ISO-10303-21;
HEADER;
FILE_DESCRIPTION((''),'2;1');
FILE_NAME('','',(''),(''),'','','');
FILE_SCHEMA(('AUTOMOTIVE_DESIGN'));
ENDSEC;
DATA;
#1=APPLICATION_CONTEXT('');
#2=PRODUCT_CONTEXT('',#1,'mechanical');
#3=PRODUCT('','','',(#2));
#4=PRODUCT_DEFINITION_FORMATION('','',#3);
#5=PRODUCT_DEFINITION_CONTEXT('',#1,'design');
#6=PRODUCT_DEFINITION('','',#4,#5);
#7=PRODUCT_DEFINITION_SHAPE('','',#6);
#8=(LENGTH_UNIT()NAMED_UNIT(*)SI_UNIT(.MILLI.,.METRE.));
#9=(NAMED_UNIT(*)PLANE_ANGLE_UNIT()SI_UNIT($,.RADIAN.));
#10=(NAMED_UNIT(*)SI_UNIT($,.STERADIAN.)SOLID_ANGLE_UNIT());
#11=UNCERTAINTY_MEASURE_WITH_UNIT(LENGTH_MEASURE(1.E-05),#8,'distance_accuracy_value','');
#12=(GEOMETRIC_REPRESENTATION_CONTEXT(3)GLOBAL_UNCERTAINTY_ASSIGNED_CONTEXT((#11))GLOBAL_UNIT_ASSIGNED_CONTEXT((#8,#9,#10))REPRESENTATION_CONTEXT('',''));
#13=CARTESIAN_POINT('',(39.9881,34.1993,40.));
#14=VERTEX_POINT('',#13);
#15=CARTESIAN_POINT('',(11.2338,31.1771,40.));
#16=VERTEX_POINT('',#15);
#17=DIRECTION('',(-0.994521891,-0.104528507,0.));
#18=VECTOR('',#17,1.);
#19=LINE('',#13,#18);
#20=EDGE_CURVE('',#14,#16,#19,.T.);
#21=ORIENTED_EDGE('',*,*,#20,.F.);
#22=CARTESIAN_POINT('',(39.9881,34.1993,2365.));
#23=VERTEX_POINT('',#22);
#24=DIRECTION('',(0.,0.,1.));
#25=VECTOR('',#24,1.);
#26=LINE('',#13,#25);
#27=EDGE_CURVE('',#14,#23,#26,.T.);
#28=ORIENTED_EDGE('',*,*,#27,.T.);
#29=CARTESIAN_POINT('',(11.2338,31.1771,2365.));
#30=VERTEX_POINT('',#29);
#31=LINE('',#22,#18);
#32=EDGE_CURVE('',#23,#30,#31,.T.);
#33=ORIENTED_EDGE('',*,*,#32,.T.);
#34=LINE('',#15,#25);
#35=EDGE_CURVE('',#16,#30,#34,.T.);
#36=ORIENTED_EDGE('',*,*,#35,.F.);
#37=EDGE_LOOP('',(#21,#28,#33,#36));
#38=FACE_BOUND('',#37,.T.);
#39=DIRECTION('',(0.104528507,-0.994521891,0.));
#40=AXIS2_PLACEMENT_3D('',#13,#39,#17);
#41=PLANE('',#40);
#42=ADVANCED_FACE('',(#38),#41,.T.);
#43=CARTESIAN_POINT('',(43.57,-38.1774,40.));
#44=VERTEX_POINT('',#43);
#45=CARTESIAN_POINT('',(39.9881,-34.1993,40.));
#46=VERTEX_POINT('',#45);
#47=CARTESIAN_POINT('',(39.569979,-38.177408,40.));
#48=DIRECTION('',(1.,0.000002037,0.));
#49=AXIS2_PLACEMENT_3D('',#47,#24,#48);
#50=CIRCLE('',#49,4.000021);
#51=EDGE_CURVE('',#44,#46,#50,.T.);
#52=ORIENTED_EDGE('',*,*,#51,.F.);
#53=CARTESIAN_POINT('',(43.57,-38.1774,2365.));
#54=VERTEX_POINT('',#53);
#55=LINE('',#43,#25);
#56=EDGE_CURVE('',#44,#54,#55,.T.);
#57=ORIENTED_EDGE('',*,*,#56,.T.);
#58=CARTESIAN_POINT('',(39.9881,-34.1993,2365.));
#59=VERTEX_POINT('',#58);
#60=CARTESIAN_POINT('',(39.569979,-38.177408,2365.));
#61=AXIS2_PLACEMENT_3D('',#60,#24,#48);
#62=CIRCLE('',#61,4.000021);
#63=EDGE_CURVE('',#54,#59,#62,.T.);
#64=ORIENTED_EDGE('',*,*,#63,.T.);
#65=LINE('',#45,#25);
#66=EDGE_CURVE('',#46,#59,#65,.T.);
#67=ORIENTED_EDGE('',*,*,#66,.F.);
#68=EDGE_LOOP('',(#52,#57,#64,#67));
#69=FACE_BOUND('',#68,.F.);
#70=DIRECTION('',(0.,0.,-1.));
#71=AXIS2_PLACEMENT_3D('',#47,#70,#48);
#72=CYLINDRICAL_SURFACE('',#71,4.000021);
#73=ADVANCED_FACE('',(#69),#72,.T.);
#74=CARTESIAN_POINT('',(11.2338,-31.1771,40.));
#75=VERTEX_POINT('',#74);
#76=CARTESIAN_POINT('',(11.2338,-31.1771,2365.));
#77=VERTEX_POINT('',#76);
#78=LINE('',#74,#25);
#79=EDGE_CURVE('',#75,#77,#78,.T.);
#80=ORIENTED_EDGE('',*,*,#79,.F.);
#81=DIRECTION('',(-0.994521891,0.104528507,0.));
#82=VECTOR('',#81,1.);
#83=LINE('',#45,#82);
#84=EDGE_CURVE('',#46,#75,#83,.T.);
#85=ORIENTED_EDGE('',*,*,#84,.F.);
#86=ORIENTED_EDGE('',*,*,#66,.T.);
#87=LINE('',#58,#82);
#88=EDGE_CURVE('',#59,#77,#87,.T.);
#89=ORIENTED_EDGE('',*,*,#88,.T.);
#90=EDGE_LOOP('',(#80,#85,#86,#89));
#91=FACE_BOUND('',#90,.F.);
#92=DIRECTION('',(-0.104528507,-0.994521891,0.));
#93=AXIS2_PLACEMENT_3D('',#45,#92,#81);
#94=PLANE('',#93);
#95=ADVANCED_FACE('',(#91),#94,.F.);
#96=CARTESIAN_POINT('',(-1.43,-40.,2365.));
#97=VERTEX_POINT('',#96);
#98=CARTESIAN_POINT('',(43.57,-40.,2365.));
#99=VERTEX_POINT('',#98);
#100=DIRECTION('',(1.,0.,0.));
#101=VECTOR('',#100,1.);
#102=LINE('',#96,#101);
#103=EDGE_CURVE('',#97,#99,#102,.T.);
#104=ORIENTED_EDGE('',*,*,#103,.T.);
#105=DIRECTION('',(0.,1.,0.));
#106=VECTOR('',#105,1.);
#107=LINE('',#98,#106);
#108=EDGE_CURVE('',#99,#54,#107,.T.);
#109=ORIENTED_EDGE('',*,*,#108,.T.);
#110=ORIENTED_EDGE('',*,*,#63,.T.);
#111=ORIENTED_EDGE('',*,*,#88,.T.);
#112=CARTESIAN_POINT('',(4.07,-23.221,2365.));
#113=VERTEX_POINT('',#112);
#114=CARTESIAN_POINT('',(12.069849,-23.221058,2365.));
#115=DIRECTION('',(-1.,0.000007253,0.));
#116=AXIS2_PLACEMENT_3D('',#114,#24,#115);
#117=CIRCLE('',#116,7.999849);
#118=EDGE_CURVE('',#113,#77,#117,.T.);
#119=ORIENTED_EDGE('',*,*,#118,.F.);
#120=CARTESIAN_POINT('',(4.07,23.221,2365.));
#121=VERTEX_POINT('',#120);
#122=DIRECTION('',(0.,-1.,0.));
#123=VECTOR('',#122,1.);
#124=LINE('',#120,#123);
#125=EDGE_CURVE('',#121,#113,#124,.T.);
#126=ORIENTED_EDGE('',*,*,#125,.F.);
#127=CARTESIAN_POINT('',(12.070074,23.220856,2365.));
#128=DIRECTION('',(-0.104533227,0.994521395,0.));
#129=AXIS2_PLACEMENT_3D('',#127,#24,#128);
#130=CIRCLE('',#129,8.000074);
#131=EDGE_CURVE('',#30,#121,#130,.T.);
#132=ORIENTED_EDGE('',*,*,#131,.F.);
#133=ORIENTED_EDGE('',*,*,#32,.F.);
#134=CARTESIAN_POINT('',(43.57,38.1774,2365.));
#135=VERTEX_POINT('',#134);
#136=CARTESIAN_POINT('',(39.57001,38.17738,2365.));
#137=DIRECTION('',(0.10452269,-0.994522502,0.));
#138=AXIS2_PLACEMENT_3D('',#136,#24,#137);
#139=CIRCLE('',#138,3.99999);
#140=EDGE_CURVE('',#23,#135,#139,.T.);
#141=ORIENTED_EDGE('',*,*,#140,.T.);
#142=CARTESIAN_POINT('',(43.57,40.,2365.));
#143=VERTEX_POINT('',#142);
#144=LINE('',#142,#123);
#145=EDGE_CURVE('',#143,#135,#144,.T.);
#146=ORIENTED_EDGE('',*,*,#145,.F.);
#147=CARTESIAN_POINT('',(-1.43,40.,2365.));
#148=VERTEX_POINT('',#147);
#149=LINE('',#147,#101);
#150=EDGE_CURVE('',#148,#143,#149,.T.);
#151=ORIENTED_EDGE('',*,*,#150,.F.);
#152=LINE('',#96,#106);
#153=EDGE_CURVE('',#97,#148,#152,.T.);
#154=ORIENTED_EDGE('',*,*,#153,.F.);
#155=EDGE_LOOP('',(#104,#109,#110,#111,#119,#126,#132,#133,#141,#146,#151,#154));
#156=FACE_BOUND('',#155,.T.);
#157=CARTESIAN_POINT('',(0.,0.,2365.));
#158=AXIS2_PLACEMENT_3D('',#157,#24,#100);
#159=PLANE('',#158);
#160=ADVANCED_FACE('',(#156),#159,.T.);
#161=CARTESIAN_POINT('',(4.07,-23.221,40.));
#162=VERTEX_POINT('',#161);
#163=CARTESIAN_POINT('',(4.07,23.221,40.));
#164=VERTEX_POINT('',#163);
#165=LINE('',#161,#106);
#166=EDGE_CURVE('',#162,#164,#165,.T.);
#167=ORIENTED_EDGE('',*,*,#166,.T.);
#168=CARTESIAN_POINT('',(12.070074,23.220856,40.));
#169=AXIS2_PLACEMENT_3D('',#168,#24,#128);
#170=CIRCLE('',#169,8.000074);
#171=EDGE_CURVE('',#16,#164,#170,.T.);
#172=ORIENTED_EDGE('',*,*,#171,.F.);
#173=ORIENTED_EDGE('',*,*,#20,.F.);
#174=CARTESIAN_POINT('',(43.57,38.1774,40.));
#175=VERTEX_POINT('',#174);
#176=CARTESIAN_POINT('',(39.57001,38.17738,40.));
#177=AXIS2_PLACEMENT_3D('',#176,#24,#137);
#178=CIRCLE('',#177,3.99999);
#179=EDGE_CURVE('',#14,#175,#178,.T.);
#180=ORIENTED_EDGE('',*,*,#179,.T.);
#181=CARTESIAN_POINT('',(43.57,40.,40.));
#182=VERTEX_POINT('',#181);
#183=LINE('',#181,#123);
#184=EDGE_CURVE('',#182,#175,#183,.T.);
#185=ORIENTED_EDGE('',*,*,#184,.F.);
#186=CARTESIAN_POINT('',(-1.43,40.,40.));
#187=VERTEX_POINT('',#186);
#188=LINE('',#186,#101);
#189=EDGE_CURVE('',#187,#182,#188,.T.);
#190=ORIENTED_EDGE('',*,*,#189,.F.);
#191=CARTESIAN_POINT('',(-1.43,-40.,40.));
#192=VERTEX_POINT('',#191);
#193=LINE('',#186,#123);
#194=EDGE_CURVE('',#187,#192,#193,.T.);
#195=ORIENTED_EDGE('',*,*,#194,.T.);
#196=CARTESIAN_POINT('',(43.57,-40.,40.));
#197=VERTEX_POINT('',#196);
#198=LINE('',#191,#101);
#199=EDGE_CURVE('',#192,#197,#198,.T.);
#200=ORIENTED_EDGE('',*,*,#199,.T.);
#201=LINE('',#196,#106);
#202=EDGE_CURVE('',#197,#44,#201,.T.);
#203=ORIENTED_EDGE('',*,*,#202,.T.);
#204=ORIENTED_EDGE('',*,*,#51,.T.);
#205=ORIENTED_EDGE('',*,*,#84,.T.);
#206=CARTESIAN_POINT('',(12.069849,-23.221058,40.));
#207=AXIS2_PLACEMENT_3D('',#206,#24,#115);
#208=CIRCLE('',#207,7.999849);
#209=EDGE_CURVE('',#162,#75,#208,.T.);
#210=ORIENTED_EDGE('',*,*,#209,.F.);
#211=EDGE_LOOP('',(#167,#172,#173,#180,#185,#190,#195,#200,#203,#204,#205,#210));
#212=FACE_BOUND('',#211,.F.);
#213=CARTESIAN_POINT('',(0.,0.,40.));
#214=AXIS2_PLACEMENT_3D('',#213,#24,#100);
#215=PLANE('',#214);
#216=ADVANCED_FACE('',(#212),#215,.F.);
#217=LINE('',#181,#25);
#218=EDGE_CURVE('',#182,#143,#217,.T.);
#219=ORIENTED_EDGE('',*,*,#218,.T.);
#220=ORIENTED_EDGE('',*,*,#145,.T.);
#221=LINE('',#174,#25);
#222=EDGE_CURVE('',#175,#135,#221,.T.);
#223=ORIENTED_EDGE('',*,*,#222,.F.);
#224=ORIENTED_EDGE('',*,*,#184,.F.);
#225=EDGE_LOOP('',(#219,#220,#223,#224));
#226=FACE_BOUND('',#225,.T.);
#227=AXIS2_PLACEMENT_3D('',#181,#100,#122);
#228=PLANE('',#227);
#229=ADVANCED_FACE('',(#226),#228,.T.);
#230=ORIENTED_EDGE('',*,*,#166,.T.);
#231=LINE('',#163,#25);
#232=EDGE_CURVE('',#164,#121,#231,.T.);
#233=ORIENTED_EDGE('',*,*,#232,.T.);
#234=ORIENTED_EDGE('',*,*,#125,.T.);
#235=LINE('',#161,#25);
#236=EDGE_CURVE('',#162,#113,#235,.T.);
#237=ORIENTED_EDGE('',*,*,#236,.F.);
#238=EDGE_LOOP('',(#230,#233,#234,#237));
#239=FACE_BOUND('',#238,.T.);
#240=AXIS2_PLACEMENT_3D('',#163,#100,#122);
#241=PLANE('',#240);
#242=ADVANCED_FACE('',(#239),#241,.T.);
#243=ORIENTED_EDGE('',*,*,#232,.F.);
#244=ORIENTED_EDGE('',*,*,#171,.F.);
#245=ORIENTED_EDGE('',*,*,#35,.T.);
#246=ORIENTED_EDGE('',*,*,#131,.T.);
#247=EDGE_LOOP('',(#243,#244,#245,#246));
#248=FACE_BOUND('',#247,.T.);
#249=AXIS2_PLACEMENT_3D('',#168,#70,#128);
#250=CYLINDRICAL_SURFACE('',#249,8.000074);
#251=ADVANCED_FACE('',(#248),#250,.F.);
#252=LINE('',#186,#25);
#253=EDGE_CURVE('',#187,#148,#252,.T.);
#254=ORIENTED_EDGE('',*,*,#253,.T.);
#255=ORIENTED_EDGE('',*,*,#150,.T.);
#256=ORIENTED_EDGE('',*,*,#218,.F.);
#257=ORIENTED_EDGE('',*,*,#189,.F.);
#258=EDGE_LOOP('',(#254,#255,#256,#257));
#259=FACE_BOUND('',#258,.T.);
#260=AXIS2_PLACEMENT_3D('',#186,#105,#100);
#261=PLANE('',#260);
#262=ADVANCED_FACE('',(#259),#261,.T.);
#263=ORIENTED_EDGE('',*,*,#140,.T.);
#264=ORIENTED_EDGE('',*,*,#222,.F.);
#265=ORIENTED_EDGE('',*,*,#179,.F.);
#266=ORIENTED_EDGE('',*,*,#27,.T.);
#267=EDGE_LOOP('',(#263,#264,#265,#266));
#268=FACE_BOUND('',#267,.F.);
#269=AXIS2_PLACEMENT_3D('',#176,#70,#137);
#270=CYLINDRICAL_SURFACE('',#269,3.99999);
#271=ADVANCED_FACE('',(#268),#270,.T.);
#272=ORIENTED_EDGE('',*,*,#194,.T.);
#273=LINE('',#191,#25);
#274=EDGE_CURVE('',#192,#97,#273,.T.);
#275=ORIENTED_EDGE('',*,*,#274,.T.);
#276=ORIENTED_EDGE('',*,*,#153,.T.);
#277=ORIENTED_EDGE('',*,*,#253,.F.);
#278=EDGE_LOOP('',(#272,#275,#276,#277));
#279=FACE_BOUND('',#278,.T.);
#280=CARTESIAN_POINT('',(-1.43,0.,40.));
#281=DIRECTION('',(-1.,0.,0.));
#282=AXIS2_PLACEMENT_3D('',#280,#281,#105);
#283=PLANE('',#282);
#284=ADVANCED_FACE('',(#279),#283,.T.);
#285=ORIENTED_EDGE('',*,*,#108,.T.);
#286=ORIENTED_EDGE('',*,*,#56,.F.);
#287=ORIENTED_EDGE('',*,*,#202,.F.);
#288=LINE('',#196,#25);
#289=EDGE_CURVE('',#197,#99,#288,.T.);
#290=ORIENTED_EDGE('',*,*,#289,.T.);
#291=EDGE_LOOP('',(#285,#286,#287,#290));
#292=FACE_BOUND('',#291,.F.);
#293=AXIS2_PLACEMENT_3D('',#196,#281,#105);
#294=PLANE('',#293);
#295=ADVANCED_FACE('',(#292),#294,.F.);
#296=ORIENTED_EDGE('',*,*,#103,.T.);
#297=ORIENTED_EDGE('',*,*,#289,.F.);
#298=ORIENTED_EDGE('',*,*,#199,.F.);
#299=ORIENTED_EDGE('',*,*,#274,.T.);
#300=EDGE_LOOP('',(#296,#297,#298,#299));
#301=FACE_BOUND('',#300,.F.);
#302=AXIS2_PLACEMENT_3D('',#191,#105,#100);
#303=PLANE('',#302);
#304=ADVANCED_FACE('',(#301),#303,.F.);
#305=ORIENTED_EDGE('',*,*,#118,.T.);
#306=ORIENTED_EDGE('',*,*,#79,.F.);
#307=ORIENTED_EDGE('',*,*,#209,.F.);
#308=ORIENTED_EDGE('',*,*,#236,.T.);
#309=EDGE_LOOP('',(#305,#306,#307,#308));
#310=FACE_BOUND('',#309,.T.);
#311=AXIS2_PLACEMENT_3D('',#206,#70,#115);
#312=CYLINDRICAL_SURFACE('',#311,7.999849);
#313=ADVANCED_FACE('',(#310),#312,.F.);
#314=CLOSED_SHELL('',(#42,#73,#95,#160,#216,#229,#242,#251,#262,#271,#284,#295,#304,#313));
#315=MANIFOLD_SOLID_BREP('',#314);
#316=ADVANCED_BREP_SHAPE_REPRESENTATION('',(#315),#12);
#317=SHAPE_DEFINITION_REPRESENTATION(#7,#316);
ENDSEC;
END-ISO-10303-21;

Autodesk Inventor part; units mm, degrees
ref_plane "Начальная плоскость" through (0, 0, 40) normal (0, 0, 1) x (1, 0, 0)
ref_plane "Конечная плоскость" through (0, 0, 2365) normal (0, 0, 1) x (1, 0, 0)
sketch "Эскиз" plane through (0, 0, 0) normal (0, 0, 1) x (1, 0, 0)
  line L0 (-1.43, 0) -> (-1.43, 40)
  line L1 (-1.43, 40) -> (43.57, 40)
  line L2 (43.57, 40) -> (43.57, 38.1774)
  line L3 (39.9881, 34.1993) -> (11.2338, 31.1771)
  line L4 (4.07, 23.221) -> (4.07, 0)
  line L5 (4.07, 0) -> (-1.43, 0) construction
  line L6 (23.82, 40) -> (23.82, 32.5) construction
  line L7 (43.57, 34.5758) -> (43.57, 32.5) construction
  line L8 (43.57, 32.5) -> (23.82, 32.5) construction
  line L9 (0, 15) -> (0, -27) construction
  line L10 (-5.539, 0) -> (16.0067, 0) construction
  line L11 (-1.43, 0) -> (-1.43, -40)
  line L12 (-1.43, -40) -> (43.57, -40)
  line L13 (43.57, -40) -> (43.57, -38.1774)
  line L14 (39.9881, -34.1993) -> (11.2338, -31.1771)
  line L15 (4.07, -23.221) -> (4.07, 0)
  arc A0 (11.2338, 31.1771) -> (4.07, 23.221) centre (12.07, 23.221) ccw
  arc A1 (4.07, -23.221) -> (11.2338, -31.1771) centre (12.07, -23.221) ccw
  arc A2 (39.9881, 34.1993) -> (43.57, 38.1774) centre (39.57, 38.1774) ccw
  arc A3 (43.57, -38.1774) -> (39.9881, -34.1993) centre (39.57, -38.1774) ccw
  line L16 (0, 56) -> (0, -56) construction
  line L17 (-15.5135, 0) -> (54.308, 0) construction
  point P0 (4.07, 30.4242)
  point P1 (43.57, -34.5758)
  point P2 (4.07, -30.4242)
  point P3 (23.82, -40)
  point P4 (23.82, -32.5)
  dimension "d0" = 5.5
  dimension "d1" = 40
  dimension "d2" = 45
  dimension "d3" = 7.5
  dimension "d4" = 19.75
  dimension "d5" = 2.0758
  dimension "d23" = 8
  dimension "d24" = 4
  dimension "d25" = 1.43
extrude "Тело" add sketch "Эскиз" along normal up to surface (2325 mm away) from surface at 40
sketch "Sketch3" plane through (0, 0, 0) normal (0, 0, 1) x (1, 0, 0)
  line L0 (0, 0) -> (10, 0)
ref_plane "Work Plane3" through (0, 0, 0) normal (0, -1, 0) x (1, 0, 0)
sketch "Sketch4" plane through (0, 0, 0) normal (0, -1, 0) x (1, 0, 0)
  line L0 (-2, 40) -> (12, 40)
  line L1 (-2, 2365) -> (12, 2365)
  dimension "d29" = 2325
ref_plane "РабПлоскость4" through (-1.43, 900, 40) normal (0, 0, -1) x (-1, 0, 0)
split "Разделение1" plane through (-1.43, 900, 40) removes the side toward (0, 0, -1)
ref_plane "РабПлоскость5" through (-1.43, -820, 2365) normal (0, 0, 1) x (1, 0, 0)
split "Разделение2" plane through (-1.43, -820, 2365) removes the side toward (0, 0, 1)
equation "\"d0\" = G_T"
equation "\"d1\" = 0.5 * G_H"
equation "\"d2\" = G_W"
equation "\"d3\" = G_T1"
equation "\"d4\" = G_C"
equation "\"d23\" = G_IR"
equation "\"d24\" = G_ER"
equation "\"d25\" = ex"
equation "\"d6\" = G_L"
equation "\"G_W\" = 45"
equation "\"G_T\" = 5.5"
equation "\"G_T1\" = 7.5"
equation "\"G_NG\" = 0.105104"
equation "\"G_ER\" = 4"
equation "\"G_IR\" = 8"
equation "\"G_C\" = 19.75"
equation "\"G_L\" = d29"
equation "\"ex\" = 1.43"
equation "\"d27\" = G_OFFSET_END + B_L"
equation "\"B_L\" = 2405"
equation "\"G_H\" = 80"
equation "\"G_OFFSET_END\" = -40"
properties part number "ISO 657/11 - CH 80 x 8 - 2325" material "Сталь, мягкая"
